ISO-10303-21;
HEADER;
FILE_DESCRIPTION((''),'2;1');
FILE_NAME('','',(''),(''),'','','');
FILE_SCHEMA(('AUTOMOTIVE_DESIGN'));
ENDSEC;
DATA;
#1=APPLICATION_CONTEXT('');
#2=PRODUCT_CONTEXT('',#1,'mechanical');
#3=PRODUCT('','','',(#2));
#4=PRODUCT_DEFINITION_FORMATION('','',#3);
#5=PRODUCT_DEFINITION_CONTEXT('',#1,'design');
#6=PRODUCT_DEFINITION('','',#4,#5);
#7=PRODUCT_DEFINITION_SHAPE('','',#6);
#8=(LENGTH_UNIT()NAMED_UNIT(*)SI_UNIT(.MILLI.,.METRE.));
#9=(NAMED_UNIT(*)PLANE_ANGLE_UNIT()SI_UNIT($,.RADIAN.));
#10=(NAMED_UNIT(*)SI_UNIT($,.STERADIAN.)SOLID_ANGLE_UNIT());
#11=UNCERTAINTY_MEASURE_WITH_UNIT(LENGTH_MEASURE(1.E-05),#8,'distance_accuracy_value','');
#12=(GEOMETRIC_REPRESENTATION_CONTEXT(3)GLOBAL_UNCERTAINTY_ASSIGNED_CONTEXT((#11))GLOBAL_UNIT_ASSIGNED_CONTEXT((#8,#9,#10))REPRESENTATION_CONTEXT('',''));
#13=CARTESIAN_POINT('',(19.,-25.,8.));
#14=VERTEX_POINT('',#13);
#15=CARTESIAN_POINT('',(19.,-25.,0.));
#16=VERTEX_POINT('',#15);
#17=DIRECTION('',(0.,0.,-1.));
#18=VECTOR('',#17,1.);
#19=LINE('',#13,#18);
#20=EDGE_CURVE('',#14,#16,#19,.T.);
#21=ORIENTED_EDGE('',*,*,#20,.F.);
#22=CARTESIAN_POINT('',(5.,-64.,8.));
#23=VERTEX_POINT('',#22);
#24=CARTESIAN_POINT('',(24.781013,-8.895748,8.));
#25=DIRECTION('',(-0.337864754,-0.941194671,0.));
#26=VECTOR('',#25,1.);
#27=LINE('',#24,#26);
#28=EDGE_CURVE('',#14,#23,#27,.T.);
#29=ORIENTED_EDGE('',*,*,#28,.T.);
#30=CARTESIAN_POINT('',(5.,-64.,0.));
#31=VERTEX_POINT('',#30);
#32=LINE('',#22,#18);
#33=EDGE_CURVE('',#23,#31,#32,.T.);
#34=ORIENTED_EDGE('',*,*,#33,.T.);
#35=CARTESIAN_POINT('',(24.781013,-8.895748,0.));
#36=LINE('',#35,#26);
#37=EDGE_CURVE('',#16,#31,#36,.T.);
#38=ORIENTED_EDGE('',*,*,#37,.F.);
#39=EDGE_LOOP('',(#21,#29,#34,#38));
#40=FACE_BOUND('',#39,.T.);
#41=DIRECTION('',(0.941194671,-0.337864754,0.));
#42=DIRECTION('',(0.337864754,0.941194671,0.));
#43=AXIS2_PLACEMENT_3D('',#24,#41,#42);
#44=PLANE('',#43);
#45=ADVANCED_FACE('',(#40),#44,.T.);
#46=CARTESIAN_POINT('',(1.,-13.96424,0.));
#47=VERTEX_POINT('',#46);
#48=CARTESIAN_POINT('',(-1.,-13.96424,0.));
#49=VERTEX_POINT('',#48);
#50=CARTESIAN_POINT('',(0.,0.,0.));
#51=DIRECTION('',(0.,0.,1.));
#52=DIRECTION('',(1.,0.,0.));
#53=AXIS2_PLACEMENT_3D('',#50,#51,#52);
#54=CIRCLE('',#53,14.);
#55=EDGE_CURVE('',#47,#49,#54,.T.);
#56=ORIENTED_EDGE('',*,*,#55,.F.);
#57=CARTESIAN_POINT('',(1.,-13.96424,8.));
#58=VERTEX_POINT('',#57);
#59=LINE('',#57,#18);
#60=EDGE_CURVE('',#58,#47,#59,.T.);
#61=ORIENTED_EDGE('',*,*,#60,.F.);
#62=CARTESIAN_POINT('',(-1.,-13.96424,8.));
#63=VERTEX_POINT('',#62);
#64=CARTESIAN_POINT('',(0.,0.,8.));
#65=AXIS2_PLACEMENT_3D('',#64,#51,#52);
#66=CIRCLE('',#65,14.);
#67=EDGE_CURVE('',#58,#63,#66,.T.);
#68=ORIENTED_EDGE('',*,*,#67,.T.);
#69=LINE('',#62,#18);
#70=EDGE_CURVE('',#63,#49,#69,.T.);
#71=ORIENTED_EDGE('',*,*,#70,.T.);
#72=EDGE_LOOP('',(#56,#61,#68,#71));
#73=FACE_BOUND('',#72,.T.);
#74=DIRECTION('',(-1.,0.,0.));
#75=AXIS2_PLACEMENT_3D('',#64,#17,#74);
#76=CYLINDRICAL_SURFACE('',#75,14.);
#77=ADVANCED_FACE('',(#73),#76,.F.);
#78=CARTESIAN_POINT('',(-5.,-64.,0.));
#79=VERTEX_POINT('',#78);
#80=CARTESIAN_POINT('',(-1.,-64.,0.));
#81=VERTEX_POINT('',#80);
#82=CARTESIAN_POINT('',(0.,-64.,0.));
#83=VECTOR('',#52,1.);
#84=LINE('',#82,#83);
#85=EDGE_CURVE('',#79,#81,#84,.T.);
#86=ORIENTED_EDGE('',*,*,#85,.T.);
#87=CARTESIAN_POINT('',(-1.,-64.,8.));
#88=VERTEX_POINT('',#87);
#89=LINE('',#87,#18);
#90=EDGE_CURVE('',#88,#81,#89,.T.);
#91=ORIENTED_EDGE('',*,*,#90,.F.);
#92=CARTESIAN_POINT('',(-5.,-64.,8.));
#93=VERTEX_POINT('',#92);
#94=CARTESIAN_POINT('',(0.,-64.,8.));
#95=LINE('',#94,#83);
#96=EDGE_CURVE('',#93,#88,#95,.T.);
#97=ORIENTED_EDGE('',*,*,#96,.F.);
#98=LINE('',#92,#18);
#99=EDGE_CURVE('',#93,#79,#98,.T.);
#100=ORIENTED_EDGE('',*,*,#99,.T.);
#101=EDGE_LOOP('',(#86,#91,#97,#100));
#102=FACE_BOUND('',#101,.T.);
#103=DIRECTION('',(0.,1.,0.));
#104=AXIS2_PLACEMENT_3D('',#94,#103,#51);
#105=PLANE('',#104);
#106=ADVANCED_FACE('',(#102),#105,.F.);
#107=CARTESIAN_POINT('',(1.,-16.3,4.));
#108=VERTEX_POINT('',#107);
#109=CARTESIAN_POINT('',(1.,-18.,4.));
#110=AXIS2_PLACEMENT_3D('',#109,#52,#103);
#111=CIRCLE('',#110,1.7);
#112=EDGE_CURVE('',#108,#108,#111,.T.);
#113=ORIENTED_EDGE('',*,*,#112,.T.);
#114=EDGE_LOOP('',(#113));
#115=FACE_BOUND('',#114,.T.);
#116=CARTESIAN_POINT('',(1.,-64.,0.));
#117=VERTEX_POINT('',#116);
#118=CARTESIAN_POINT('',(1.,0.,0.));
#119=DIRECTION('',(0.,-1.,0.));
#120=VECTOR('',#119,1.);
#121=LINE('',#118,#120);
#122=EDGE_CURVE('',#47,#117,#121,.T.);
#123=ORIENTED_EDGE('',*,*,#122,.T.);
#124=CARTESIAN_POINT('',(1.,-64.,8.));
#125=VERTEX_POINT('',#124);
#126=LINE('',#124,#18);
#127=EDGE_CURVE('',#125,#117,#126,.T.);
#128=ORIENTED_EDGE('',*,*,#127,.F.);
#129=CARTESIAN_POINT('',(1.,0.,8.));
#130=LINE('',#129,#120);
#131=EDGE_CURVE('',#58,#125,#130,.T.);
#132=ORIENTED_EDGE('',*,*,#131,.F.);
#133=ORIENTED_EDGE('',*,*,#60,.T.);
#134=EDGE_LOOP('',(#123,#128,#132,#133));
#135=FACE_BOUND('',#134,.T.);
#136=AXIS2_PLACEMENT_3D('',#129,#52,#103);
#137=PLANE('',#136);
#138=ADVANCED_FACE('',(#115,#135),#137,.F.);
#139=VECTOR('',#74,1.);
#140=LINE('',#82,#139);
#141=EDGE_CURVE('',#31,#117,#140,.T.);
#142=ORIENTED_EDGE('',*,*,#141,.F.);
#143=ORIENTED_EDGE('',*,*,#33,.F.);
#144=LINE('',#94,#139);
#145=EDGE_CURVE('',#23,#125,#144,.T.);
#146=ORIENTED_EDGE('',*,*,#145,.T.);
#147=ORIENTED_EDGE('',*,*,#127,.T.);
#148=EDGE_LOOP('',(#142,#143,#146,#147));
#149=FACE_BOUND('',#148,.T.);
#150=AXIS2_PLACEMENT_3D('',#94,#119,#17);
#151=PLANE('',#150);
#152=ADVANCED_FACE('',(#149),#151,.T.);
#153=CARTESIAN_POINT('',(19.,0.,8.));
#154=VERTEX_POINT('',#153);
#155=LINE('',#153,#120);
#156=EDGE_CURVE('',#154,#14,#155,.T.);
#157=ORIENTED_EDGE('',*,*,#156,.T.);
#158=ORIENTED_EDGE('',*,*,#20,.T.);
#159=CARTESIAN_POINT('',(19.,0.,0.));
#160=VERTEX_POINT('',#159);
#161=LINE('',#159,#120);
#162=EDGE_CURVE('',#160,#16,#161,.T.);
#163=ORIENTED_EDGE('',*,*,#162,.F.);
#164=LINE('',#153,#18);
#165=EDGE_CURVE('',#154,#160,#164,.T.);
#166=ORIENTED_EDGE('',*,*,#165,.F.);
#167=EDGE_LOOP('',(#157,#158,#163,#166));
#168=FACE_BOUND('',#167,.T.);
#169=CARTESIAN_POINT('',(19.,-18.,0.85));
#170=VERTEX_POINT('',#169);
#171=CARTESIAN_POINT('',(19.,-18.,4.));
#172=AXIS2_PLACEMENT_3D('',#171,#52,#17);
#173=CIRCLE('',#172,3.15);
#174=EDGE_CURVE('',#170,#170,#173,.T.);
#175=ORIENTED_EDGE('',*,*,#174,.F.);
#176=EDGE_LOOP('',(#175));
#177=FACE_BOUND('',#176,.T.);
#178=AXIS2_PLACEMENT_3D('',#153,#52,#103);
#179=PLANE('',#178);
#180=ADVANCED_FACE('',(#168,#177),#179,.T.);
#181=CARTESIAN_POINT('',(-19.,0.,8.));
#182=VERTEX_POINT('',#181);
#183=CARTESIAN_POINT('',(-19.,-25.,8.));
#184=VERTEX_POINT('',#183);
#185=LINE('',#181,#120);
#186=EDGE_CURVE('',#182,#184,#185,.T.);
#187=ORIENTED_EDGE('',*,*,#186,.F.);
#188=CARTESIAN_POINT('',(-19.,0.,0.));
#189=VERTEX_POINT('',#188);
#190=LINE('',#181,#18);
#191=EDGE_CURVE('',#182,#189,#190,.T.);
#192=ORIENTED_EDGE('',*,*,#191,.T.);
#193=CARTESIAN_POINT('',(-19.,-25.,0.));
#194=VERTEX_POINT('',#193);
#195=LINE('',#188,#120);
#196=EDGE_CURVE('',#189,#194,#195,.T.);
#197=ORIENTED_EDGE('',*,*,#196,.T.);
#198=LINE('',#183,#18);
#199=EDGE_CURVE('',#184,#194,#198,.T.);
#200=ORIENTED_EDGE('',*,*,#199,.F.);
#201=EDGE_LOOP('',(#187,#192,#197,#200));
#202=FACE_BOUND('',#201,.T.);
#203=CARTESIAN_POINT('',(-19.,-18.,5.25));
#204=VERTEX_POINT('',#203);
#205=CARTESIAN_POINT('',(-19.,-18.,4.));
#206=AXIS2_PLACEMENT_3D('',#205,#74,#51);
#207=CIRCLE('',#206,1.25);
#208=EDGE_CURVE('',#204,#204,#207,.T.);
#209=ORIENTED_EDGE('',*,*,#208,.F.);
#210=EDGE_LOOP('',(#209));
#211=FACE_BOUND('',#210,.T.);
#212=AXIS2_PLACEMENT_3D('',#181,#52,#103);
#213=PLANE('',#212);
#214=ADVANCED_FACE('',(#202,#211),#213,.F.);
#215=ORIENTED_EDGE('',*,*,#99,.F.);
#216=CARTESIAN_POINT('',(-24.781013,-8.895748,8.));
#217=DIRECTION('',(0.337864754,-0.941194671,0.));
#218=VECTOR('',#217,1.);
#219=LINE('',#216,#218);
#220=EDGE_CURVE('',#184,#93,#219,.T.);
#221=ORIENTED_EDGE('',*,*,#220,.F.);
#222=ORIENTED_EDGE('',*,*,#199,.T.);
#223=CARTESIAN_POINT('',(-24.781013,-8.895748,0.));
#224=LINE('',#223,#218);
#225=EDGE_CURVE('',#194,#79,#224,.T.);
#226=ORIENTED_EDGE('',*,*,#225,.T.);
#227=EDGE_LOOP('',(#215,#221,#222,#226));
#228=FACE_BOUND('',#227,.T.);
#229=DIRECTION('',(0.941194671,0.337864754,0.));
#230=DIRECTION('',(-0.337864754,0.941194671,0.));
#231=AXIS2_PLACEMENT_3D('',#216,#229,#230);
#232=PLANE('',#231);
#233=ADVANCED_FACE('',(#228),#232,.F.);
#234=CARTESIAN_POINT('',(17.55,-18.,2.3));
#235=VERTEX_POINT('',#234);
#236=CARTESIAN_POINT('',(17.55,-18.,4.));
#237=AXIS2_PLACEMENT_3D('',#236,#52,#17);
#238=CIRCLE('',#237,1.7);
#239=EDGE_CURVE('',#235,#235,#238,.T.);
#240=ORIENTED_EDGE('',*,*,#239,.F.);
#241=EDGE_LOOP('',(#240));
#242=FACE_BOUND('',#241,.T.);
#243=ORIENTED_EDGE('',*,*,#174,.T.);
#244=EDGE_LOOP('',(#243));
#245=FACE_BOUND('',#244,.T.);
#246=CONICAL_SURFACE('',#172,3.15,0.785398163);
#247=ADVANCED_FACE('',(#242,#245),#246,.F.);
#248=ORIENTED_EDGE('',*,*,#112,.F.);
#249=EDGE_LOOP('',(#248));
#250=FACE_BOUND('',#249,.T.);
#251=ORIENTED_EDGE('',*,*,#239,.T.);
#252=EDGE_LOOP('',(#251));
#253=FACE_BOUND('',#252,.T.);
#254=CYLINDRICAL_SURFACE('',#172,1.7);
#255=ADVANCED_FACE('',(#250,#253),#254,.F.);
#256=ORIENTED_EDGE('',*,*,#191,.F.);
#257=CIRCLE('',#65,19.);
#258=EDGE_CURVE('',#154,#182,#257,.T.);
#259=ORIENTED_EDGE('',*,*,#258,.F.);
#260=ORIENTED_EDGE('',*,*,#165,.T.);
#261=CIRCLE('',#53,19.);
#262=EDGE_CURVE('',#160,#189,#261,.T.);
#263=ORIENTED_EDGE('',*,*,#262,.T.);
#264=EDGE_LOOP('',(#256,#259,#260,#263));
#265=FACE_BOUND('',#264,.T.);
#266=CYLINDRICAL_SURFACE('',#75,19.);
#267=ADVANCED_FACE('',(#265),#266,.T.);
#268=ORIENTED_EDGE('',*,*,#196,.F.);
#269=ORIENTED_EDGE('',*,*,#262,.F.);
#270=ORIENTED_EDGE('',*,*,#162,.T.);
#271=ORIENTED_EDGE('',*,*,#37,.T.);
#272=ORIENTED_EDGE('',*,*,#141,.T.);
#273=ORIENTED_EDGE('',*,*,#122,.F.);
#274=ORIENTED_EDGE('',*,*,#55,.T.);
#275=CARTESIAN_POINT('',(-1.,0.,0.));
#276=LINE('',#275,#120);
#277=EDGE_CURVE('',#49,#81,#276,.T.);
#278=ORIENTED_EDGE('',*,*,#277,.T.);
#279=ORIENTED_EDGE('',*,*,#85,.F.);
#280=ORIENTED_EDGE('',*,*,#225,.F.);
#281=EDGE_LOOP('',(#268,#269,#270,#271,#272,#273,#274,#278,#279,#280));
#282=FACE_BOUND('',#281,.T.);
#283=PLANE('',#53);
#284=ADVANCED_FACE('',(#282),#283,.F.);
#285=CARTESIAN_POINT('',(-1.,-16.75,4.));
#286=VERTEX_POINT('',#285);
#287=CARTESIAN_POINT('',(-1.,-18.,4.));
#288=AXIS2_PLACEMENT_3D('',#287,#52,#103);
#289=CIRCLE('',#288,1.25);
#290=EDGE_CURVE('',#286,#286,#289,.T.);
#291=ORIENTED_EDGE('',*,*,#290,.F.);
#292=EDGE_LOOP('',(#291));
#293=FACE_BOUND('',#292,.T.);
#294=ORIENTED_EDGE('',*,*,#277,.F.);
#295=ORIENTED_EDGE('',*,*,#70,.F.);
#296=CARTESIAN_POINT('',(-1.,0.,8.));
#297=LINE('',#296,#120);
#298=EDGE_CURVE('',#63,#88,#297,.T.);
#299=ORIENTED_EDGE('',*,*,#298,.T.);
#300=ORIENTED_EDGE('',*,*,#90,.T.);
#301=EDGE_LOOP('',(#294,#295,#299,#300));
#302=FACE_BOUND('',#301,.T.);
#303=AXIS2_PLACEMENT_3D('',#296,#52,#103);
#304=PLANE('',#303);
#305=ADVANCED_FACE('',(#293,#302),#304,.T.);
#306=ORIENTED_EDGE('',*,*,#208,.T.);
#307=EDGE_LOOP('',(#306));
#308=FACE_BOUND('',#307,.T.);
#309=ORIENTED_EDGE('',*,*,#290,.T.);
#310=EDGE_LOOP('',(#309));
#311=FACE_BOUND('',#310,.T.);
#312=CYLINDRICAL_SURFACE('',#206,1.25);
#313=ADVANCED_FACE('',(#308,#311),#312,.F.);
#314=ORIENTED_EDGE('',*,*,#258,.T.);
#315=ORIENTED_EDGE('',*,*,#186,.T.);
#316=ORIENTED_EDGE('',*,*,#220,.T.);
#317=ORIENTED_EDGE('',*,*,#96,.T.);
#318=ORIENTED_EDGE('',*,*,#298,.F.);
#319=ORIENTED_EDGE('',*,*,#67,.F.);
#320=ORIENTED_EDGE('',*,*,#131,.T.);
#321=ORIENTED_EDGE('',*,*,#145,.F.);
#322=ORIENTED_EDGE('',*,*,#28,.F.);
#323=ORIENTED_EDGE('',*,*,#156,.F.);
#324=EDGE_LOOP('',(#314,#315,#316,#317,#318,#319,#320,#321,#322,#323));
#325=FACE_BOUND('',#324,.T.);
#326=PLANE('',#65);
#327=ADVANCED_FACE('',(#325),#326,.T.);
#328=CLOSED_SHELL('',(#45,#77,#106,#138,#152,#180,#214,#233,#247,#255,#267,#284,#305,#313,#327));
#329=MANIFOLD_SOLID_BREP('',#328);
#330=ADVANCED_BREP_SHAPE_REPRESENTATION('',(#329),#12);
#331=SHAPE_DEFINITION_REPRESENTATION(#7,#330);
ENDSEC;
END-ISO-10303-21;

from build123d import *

# Parameters (mm, degrees)
EXTRUDE_1_DEPTH              = 8
HOLE_WIZARD_M3_1_D           = 3.4
HOLE_WIZARD_M3_1_DEPTH       = 18
HOLE_WIZARD_M3_1_CSINK_D     = 6.3
HOLE_WIZARD_M3_1_CSINK_ANGLE = 90
HOLE_WIZARD_M3_1_2_D         = 2.5
HOLE_WIZARD_M3_1_2_DEPTH     = 18


with BuildPart() as part:
    # 스케치1 → 보스-돌출1 (new body)
    with BuildSketch(Plane.XY):
        with BuildLine():
            Line((1, -13.964240044), (1, -64))
            Line((1, -64), (5, -64))
            Line((5, -64), (19, -25))
            Line((19, -25), (19, 0))
            ThreePointArc((19, 0), (0, 19), (-19, 0))
            Line((-19, 0), (-19, -25))
            Line((-19, -25), (-5, -64))
            Line((-5, -64), (-1, -64))
            Line((-1, -64), (-1, -13.964240044))
            ThreePointArc((-1, -13.964240044), (0, 14), (1, -13.964240044))
        make_face()
    extrude(amount=EXTRUDE_1_DEPTH)

    # Hole Wizard M3 _ _ _ _1
    with Locations(Plane(origin=(19, 0, 0), x_dir=(0, 0, -1), z_dir=(1, 0, 0))):
        with Locations((-4, -18)):
            CounterSinkHole(HOLE_WIZARD_M3_1_D / 2, HOLE_WIZARD_M3_1_CSINK_D / 2, depth=HOLE_WIZARD_M3_1_DEPTH, counter_sink_angle=HOLE_WIZARD_M3_1_CSINK_ANGLE)

    # Hole Wizard M3 _ _1 2
    with Locations(Plane.ZY.offset(19)):
        with Locations((4, -18)):
            Hole(HOLE_WIZARD_M3_1_2_D / 2, depth=HOLE_WIZARD_M3_1_2_DEPTH)


solid = part.part
